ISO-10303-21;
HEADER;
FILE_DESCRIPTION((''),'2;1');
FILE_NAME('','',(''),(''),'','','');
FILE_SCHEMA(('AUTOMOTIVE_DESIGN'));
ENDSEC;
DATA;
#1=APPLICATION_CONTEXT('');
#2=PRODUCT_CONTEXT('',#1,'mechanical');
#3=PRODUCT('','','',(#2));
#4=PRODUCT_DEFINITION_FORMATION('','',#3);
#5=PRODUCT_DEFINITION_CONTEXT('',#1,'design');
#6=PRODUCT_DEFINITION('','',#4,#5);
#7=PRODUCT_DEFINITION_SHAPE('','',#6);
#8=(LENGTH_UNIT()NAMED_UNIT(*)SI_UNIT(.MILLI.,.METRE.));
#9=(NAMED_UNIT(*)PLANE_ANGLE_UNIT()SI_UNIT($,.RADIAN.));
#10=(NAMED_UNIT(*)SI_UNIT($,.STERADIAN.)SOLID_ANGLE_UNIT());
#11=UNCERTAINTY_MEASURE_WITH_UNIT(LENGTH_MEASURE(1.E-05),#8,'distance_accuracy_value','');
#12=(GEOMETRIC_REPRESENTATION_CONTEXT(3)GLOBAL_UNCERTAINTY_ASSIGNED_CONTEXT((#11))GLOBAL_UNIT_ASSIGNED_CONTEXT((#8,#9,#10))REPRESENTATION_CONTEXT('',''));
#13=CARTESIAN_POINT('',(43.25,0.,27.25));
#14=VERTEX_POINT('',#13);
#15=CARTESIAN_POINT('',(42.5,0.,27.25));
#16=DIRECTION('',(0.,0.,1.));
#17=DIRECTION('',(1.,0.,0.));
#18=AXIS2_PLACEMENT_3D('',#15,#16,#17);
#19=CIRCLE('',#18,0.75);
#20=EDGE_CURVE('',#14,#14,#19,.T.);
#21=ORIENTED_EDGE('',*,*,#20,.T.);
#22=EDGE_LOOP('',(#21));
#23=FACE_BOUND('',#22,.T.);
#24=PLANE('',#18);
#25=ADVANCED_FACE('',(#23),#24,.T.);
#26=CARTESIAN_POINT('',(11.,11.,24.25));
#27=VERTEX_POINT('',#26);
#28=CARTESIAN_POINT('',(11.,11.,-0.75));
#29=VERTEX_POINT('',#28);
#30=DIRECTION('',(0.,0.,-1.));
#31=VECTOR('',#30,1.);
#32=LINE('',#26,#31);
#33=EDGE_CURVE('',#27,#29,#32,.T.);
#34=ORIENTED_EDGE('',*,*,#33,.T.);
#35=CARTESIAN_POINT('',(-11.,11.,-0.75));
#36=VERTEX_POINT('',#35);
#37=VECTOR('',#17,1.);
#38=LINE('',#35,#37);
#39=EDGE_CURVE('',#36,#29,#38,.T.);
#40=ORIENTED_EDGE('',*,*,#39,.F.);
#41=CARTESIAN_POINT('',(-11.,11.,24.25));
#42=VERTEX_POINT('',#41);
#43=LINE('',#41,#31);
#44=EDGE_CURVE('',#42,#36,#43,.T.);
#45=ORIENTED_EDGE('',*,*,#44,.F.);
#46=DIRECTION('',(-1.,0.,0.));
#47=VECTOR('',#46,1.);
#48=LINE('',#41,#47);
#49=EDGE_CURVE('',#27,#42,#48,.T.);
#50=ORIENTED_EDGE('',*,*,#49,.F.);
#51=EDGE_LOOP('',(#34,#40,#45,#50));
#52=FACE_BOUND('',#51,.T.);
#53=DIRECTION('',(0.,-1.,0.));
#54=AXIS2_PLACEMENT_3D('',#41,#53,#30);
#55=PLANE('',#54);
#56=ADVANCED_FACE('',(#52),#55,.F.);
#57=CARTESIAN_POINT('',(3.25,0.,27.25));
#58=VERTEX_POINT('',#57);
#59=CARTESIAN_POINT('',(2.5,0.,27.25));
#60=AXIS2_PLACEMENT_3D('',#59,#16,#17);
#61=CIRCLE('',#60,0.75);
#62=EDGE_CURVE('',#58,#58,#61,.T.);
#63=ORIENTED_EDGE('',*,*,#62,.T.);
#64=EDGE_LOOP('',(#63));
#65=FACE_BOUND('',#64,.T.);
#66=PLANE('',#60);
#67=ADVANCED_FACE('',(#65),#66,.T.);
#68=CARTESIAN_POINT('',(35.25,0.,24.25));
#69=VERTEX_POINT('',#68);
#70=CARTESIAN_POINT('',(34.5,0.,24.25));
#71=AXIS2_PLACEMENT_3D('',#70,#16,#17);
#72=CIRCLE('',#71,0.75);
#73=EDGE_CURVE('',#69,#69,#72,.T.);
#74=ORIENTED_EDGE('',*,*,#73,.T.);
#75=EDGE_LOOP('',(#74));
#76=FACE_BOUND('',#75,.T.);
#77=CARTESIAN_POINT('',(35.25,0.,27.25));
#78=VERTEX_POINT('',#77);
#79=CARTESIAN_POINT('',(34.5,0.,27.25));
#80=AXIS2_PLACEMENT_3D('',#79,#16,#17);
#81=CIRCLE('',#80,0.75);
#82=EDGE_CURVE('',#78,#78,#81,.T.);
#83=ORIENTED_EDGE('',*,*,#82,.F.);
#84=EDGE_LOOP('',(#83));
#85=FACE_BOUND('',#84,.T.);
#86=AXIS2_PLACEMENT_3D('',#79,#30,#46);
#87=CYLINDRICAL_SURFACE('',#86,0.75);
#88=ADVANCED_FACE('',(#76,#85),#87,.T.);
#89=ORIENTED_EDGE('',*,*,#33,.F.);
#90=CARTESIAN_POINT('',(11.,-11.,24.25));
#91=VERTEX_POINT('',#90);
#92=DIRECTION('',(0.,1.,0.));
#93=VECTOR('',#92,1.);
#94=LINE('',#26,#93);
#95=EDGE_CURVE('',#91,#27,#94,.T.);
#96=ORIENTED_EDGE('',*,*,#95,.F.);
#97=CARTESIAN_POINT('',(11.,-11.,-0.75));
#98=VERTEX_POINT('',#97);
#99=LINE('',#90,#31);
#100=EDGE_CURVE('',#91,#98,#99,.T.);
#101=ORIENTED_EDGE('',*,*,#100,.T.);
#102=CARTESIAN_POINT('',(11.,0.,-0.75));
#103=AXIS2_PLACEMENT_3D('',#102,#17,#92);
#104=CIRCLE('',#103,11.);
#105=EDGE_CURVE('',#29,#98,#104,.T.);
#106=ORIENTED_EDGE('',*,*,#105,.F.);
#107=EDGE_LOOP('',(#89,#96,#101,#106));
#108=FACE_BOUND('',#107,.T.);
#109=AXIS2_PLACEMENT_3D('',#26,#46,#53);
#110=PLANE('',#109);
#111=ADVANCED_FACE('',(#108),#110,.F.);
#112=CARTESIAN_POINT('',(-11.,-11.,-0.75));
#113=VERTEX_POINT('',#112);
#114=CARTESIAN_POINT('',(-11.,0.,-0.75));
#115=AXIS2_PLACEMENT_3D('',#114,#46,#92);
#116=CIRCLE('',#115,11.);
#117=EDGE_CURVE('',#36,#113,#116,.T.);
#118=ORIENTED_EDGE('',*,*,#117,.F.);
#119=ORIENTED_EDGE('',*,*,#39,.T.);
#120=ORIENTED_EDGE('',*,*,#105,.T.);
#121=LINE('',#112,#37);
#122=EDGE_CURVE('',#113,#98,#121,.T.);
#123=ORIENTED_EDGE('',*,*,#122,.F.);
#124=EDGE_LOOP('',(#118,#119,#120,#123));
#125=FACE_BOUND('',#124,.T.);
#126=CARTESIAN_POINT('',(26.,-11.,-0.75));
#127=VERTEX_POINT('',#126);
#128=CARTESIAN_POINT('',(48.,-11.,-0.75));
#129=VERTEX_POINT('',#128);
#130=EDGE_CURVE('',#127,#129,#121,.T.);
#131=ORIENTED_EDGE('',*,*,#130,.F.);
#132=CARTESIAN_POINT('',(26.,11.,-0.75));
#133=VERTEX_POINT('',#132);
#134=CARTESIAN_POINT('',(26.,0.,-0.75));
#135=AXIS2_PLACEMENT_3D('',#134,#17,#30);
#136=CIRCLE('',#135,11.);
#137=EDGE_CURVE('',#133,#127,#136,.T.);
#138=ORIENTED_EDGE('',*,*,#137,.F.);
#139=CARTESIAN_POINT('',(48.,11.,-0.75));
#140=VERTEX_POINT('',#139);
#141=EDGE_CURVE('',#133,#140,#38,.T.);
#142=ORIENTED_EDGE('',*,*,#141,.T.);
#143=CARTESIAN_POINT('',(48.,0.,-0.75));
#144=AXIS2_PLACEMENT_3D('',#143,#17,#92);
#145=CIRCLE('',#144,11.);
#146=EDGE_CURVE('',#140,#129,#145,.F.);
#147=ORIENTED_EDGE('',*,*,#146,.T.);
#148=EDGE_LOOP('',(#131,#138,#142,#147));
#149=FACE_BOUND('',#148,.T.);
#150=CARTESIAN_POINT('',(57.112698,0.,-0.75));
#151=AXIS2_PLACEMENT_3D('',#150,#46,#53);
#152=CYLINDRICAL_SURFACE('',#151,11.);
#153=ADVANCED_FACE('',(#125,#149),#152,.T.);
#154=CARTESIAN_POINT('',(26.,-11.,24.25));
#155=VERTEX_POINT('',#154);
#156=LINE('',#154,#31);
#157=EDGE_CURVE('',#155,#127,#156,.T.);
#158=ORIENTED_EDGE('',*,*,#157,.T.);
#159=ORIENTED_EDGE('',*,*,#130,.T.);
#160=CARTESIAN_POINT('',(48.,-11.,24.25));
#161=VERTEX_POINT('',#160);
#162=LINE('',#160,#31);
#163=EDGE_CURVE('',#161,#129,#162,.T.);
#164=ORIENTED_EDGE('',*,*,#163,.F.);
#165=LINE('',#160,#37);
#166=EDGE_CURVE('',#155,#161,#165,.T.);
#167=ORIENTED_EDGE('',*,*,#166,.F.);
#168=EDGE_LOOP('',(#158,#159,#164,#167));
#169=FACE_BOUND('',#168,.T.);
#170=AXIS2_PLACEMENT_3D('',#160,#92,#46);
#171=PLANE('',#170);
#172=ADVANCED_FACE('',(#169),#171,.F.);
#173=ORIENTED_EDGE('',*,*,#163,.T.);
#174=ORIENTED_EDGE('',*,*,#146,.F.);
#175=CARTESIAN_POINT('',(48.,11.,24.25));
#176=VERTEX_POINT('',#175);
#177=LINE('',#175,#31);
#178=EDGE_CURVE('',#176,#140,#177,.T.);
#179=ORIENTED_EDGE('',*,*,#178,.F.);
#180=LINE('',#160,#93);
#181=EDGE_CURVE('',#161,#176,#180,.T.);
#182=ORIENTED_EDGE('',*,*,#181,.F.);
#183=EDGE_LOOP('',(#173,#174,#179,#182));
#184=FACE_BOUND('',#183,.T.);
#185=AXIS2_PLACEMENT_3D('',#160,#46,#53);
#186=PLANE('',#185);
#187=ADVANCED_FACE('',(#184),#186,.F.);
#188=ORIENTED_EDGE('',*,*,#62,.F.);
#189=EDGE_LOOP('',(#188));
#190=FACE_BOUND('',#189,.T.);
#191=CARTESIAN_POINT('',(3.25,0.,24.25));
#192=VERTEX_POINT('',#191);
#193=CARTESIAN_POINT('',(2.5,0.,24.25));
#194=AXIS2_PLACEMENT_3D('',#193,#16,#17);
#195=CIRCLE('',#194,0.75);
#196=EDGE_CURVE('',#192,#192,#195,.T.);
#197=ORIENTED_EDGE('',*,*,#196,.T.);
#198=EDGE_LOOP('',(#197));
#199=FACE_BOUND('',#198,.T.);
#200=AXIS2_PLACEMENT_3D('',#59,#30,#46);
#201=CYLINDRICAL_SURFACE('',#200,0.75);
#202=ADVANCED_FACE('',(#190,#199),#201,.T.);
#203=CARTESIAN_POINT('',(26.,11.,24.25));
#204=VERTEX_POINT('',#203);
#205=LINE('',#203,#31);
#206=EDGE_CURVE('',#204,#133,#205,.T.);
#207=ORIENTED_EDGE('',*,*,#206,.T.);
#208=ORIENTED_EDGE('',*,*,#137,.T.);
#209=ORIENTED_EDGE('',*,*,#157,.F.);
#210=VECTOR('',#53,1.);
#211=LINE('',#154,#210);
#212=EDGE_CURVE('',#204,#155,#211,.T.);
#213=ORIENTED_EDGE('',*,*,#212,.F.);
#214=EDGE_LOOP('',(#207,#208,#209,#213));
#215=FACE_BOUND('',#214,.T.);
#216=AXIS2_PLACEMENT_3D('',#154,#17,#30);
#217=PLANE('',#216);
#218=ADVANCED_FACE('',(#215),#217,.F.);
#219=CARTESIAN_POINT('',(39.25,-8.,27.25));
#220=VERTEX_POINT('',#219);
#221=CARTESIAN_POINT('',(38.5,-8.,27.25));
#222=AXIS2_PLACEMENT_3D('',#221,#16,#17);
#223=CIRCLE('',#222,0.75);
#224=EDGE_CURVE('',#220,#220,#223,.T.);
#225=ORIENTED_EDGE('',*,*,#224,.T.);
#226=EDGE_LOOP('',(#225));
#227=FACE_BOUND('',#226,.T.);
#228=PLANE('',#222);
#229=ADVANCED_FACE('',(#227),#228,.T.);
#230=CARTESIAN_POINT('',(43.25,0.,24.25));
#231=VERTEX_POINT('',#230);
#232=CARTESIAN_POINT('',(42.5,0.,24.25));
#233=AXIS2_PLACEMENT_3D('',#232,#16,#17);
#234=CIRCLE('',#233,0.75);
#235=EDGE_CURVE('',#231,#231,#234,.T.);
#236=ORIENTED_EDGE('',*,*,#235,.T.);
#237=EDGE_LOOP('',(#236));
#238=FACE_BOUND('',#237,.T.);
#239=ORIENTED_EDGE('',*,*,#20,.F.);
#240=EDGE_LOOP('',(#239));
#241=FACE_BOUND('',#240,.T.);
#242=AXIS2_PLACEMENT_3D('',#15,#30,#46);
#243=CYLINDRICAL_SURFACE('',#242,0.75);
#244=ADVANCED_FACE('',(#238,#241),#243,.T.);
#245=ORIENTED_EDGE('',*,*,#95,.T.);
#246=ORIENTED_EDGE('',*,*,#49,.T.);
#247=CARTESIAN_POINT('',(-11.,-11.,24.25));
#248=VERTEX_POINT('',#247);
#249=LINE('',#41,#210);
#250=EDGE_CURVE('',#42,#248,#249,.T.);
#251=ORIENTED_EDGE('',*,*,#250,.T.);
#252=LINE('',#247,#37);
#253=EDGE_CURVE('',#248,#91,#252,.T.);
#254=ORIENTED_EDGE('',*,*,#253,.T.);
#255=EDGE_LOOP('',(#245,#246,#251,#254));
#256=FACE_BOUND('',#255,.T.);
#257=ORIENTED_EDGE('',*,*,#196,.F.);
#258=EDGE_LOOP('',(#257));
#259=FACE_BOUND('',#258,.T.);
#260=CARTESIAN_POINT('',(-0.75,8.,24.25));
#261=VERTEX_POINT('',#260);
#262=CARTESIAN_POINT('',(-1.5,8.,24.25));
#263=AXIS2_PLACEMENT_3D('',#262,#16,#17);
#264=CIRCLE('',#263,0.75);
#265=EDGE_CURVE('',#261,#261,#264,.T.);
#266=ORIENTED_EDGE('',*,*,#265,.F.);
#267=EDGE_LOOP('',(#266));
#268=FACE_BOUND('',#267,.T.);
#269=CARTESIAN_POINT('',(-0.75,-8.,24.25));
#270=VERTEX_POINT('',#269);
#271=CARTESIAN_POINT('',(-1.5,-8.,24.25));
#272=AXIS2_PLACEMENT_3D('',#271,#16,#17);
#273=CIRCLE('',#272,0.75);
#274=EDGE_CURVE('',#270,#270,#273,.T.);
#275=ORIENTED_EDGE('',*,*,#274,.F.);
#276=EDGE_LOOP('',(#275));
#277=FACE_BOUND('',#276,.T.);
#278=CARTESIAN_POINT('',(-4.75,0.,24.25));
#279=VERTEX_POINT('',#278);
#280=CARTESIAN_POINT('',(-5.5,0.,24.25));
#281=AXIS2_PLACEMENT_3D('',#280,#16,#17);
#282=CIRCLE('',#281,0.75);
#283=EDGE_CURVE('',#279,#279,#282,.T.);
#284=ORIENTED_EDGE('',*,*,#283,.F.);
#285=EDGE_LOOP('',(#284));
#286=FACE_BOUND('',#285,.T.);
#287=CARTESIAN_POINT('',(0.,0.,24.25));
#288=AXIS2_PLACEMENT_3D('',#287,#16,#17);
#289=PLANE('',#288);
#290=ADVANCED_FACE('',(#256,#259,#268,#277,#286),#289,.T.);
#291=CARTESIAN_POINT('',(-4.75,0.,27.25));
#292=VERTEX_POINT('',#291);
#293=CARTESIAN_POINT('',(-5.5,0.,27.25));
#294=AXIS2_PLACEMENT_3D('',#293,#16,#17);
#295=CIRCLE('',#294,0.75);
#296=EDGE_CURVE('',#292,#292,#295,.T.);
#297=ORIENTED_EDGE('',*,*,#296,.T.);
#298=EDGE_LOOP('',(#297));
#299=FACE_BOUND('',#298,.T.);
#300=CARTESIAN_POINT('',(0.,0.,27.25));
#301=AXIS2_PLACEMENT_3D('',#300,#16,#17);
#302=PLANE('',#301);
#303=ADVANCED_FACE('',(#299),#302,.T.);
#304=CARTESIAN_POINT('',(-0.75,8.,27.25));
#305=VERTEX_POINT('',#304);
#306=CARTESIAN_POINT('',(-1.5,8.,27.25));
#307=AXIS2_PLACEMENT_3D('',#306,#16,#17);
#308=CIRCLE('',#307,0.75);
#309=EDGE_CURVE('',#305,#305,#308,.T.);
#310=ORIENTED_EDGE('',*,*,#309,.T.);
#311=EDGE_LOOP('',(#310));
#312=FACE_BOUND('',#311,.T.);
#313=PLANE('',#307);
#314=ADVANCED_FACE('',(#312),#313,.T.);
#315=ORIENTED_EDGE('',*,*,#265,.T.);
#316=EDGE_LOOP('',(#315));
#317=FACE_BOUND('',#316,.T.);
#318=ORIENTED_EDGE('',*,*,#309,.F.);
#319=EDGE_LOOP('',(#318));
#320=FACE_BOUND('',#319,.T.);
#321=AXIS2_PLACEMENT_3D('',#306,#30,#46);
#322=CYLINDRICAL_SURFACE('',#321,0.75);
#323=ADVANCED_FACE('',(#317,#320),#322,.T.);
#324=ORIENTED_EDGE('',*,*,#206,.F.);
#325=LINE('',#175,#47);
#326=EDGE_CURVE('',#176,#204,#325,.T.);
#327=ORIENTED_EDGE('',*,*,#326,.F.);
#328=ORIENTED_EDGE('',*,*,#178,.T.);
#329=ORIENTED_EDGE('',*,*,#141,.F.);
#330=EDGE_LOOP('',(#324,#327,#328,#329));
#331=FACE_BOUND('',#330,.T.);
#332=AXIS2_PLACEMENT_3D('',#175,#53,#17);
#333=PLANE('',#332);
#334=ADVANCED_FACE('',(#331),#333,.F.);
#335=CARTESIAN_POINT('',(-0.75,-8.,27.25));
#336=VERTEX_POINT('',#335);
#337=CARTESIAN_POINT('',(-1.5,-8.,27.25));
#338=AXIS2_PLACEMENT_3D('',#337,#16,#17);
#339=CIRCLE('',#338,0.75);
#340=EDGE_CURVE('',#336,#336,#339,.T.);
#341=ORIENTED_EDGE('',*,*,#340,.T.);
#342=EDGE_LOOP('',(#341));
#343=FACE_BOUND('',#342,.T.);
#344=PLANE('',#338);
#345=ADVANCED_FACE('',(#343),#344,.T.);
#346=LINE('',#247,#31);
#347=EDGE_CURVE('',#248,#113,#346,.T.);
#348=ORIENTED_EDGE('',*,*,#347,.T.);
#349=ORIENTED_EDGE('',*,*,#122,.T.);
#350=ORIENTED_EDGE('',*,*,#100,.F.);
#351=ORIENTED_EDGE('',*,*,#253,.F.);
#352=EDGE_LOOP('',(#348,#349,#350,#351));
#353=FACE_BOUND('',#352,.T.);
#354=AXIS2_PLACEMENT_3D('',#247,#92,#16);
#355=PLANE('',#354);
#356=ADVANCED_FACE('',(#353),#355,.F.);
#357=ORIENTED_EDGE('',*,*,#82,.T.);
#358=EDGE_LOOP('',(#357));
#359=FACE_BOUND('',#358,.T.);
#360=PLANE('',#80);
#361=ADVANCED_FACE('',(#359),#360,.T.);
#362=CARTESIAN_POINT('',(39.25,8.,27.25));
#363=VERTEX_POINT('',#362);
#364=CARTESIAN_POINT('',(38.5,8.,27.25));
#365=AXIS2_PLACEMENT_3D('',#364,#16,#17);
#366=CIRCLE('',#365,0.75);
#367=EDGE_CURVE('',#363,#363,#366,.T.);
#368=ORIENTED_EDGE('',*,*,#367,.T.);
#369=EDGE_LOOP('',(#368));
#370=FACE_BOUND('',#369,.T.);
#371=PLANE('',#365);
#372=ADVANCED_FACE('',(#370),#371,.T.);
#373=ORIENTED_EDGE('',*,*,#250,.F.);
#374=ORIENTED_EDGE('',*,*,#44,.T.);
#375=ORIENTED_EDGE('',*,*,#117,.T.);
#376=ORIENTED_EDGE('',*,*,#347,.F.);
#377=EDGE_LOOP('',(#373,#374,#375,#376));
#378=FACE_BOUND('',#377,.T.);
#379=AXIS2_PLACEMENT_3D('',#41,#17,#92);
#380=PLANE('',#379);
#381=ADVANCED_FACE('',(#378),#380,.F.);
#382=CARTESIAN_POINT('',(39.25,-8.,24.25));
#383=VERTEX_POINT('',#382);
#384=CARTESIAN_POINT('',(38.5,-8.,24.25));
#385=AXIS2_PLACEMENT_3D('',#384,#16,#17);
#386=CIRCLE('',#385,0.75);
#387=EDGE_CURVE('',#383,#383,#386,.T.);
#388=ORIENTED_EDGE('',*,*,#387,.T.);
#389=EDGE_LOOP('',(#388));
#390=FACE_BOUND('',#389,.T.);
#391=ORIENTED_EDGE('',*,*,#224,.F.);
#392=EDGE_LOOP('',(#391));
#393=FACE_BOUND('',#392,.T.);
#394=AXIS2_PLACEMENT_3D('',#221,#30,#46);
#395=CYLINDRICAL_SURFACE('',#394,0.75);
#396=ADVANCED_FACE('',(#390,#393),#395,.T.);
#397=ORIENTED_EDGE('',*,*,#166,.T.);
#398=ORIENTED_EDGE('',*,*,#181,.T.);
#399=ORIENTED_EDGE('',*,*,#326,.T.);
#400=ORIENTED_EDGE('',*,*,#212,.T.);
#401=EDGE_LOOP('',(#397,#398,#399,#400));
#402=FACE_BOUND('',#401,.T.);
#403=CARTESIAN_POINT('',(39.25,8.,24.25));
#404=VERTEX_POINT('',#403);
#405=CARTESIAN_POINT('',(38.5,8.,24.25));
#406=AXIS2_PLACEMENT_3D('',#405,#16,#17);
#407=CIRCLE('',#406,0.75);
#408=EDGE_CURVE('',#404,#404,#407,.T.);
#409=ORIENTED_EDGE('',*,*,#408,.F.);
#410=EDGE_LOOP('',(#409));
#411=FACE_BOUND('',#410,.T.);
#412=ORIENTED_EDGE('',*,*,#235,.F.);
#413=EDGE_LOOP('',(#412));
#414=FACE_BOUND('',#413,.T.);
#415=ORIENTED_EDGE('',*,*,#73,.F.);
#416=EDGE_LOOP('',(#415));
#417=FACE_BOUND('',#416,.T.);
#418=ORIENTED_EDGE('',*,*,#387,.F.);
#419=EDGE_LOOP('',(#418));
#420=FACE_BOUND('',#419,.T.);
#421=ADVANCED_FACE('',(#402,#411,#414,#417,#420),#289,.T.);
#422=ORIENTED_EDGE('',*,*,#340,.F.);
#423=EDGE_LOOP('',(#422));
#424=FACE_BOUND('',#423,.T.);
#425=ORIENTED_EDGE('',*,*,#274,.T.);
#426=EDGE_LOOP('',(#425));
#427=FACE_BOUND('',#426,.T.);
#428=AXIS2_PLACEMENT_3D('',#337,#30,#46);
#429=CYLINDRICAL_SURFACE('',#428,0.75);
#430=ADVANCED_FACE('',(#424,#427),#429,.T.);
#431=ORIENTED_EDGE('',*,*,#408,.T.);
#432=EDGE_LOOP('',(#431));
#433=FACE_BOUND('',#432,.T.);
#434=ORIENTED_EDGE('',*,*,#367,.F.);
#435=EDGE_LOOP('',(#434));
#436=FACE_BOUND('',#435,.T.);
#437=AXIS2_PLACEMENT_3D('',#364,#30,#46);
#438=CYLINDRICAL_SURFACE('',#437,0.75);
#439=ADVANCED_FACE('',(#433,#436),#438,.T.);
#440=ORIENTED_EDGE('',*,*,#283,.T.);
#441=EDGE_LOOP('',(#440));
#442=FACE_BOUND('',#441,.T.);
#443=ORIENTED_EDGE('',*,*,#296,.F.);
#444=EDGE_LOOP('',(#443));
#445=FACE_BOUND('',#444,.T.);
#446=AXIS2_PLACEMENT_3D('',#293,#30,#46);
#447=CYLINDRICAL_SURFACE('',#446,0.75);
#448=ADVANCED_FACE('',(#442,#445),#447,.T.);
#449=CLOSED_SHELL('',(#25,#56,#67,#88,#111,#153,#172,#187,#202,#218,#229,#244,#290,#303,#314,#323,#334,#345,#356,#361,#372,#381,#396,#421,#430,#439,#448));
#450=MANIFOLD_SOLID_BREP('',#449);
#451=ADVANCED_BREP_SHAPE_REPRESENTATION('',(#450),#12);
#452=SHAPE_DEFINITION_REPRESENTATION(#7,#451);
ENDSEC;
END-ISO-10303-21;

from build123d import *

# Parameters (mm, degrees)
ESBO_O1_W                  = 22
ESBO_O1_H                  = 22
RESSALTO_EXTRUS_O1_DEPTH   = 24.25
RESSALTO_EXTRUS_O1_2_DEPTH = 24.25
ESBO_O2_R                  = 11
RESSALTO_EXTRUS_O2_DEPTH   = 15
CORTE_EXTRUS_O1_DEPTH      = 65.730692102
CORTE_EXTRUS_O1_DEPTH_BACK = 65.730692102
ESBO_O4_R                  = 0.75
RESSALTO_EXTRUS_O3_DEPTH   = 3


with BuildPart() as part:
    # Esboço1 → Ressalto-extrusão1 (new, symmetric)
    with BuildSketch(Plane.XY):
        Rectangle(ESBO_O1_W, ESBO_O1_H)
    extrude(amount=RESSALTO_EXTRUS_O1_DEPTH, both=True)



with BuildPart() as body_2:
    # Esboço1 → Ressalto-extrus_o1 2 (new, symmetric)
    with BuildSketch(Plane.XY):
        with Locations((37, 0)):
            Rectangle(ESBO_O1_W, ESBO_O1_H)
    extrude(amount=RESSALTO_EXTRUS_O1_2_DEPTH, both=True)


with BuildPart() as part_1:
    add(part.part)

    add(body_2.part)  # Ressalto-extrusão2 merges body 2
    # Esboço2 → Ressalto-extrusão2 (add)
    with BuildSketch(Plane(origin=(11, 0, 0), x_dir=(0, 0, -1), z_dir=(1, 0, 0))):
        with Locations(Location((0.75, 0, 0), (0, 0, 270))):
            Circle(ESBO_O2_R)
    extrude(amount=RESSALTO_EXTRUS_O2_DEPTH)

    # Esboço3 → Corte-extrusão1 (cut, two sides)
    with BuildSketch(Plane(origin=(48, 0, 0), x_dir=(0, 0, -1), z_dir=(1, 0, 0))) as corte_extrus_o1_sk:
        with BuildLine():
            Line((0.75, 11), (24.25, 11))
            Line((24.25, 11), (24.25, -11))
            Line((24.25, -11), (0.75, -11))
            ThreePointArc((0.75, -11), (11.75, 0), (0.75, 11))
        make_face()
    extrude(amount=CORTE_EXTRUS_O1_DEPTH, mode=Mode.SUBTRACT)
    extrude(corte_extrus_o1_sk.sketch, amount=-CORTE_EXTRUS_O1_DEPTH_BACK, mode=Mode.SUBTRACT)

    # Esboço4 → Ressalto-extrusão3 (add)
    with BuildSketch(Plane.XY.offset(24.25)):
        with Locations((-5.5, 0)):
            Circle(ESBO_O4_R)
        with Locations((2.5, 0)):
            Circle(ESBO_O4_R)
        with Locations((-1.5, 8)):
            Circle(ESBO_O4_R)
        with Locations((-1.5, -8)):
            Circle(ESBO_O4_R)
        with Locations((34.5, 0)):
            Circle(ESBO_O4_R)
        with Locations((42.5, 0)):
            Circle(ESBO_O4_R)
        with Locations((38.5, -8)):
            Circle(ESBO_O4_R)
        with Locations((38.5, 8)):
            Circle(ESBO_O4_R)
    extrude(amount=RESSALTO_EXTRUS_O3_DEPTH)


solid = part_1.part
